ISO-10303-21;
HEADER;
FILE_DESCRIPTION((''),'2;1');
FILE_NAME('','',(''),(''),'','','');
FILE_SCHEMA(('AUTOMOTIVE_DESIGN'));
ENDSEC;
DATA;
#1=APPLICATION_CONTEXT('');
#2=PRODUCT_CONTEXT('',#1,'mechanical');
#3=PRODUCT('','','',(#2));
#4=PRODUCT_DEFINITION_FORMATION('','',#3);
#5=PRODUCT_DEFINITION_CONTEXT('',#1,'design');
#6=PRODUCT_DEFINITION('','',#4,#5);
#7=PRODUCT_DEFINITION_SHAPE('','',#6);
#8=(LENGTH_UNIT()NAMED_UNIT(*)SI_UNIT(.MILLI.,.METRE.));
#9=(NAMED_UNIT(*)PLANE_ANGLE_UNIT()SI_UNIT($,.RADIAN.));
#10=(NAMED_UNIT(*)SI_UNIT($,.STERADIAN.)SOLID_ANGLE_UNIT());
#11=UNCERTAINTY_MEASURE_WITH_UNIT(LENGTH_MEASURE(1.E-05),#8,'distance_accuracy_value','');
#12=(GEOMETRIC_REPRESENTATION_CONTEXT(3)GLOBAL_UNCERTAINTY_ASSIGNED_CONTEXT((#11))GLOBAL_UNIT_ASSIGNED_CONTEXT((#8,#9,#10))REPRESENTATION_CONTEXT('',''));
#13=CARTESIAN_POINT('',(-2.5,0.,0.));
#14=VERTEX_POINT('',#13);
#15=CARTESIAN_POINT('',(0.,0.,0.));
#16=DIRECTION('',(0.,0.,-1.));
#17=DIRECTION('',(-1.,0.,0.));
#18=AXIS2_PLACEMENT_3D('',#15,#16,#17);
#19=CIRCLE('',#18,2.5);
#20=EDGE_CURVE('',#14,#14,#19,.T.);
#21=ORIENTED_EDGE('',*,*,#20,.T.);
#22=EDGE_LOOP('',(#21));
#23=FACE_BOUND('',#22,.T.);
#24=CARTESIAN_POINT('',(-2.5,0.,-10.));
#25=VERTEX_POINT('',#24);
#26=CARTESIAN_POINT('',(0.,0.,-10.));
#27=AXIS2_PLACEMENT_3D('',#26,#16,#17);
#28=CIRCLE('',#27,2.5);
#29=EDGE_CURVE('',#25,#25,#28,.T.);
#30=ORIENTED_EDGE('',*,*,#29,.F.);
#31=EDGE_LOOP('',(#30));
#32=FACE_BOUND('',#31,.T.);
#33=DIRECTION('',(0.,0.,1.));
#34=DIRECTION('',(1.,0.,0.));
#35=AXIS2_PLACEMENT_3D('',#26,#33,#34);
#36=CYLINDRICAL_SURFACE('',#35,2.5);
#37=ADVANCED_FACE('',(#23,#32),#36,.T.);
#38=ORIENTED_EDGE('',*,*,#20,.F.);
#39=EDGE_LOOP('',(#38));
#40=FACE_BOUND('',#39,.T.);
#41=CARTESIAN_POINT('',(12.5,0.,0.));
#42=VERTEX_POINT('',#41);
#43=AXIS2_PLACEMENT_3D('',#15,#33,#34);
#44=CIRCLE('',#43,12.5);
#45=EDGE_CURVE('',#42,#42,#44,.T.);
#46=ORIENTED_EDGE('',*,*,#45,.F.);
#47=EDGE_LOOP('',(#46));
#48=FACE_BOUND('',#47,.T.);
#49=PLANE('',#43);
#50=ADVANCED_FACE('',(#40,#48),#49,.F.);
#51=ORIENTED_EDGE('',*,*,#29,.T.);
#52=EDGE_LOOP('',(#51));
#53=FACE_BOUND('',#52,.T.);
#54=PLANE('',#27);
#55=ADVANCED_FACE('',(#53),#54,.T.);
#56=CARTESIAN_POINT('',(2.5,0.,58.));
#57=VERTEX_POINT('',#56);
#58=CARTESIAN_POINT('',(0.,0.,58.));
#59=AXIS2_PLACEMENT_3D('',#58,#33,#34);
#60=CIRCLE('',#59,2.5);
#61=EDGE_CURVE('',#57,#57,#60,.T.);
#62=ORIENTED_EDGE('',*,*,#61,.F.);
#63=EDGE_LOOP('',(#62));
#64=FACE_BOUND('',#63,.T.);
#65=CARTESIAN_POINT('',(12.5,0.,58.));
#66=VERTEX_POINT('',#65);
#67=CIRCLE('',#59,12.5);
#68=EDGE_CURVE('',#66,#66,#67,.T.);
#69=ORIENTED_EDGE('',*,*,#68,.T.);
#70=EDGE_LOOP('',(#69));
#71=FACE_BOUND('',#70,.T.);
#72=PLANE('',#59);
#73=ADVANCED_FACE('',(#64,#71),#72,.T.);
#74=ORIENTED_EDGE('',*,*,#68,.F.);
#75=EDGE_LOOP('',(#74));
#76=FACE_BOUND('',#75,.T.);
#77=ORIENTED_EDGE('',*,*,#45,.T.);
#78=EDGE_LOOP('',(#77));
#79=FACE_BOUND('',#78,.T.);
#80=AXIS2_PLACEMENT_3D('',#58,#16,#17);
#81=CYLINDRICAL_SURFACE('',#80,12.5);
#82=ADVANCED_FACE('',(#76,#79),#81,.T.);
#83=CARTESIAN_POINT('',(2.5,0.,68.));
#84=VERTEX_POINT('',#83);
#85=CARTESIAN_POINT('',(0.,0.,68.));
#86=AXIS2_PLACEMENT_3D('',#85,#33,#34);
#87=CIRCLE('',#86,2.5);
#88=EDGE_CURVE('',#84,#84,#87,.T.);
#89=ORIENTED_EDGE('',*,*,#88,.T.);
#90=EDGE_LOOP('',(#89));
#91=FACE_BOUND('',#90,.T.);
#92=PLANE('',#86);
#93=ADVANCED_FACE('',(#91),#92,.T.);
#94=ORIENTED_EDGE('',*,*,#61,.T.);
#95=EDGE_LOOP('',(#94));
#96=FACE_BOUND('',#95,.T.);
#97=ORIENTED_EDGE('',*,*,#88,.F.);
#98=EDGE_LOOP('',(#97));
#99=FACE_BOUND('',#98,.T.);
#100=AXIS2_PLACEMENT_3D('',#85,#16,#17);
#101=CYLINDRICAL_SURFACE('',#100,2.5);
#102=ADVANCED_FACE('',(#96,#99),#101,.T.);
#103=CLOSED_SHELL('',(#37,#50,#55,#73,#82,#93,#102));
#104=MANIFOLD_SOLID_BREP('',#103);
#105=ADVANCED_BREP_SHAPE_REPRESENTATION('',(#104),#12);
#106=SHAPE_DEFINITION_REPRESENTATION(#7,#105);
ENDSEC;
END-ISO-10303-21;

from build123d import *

# Parameters (mm, degrees)
SKETCH1_R           = 12.5
BOSS_EXTRUDE1_DEPTH = 58
SKETCH2_R           = 2.5
BOSS_EXTRUDE2_DEPTH = 10
SKETCH3_R           = 2.5
BOSS_EXTRUDE3_DEPTH = 10


with BuildPart() as part:
    # Sketch1 → Boss-Extrude1 (new body)
    with BuildSketch(Plane.XY):
        Circle(SKETCH1_R)
    extrude(amount=BOSS_EXTRUDE1_DEPTH)

    # Sketch2 → Boss-Extrude2 (add)
    with BuildSketch(Plane.XY.offset(58)):
        Circle(SKETCH2_R)
    extrude(amount=BOSS_EXTRUDE2_DEPTH)

    # Sketch3 → Boss-Extrude3 (add)
    with BuildSketch(Plane(origin=(0, 0, 0), x_dir=(-1, 0, 0), z_dir=(0, 0, -1))):
        Circle(SKETCH3_R)
    extrude(amount=BOSS_EXTRUDE3_DEPTH)


solid = part.part
